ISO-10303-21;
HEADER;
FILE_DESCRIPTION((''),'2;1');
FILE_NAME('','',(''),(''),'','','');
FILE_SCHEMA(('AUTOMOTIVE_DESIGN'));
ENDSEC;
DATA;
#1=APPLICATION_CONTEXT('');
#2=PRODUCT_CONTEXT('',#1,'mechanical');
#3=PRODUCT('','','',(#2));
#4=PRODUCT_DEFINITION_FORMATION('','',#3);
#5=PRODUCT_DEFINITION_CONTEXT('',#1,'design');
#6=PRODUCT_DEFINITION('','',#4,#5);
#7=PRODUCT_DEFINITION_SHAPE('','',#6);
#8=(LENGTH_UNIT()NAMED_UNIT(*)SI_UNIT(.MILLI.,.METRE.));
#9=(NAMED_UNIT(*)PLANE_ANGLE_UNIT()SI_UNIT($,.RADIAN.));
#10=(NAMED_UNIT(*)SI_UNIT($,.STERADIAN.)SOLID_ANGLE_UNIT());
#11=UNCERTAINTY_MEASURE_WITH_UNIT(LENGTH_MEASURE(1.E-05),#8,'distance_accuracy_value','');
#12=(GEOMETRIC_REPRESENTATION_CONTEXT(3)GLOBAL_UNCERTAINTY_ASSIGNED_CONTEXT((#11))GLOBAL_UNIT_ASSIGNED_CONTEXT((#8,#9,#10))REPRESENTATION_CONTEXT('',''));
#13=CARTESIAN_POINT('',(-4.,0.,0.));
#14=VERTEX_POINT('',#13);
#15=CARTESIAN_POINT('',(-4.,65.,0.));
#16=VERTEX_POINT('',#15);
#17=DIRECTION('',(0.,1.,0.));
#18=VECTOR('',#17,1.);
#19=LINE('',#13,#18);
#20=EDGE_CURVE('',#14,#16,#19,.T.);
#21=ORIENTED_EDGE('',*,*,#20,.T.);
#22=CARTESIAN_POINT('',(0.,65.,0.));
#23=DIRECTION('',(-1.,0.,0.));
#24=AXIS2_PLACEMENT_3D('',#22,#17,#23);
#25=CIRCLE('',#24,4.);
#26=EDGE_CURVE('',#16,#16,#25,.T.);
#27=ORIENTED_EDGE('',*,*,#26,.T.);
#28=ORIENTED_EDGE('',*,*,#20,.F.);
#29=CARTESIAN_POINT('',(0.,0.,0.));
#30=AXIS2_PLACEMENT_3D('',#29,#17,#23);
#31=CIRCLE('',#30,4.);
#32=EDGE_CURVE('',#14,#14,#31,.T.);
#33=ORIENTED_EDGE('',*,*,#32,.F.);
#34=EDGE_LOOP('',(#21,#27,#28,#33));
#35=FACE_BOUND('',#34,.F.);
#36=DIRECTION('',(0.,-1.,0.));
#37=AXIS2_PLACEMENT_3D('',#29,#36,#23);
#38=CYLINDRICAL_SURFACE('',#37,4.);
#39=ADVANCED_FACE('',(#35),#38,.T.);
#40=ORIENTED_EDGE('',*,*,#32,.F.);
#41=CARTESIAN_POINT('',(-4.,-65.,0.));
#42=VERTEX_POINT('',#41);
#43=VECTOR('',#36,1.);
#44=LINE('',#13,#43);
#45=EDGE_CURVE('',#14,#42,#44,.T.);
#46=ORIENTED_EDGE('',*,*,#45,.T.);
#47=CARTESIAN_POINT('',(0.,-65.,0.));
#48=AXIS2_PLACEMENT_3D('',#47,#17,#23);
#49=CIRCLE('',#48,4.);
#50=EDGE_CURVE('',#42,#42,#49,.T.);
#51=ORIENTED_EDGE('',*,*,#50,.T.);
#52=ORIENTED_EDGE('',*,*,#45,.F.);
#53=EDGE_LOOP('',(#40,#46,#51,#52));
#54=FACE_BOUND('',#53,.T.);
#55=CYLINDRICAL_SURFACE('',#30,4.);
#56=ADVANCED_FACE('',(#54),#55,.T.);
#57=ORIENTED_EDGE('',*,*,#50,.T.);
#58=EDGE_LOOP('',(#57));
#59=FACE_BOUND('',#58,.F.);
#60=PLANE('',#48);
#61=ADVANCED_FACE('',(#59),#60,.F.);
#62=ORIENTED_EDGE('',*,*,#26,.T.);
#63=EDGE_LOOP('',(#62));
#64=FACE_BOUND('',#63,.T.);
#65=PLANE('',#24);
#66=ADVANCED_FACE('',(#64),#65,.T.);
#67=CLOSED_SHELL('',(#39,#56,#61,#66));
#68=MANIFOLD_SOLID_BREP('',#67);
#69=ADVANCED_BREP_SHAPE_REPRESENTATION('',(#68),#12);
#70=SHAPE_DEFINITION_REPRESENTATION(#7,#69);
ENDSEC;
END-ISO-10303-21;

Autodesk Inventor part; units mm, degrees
sketch "Эскиз1" plane through (0, 0, 0) normal (0, 1, 0) x (-1, 0, 0)
  circle A0 centre (0, 0) radius 4
  dimension "d0" = 8
extrude "Выдавливание1" add sketch "Эскиз1" along normal mid plane 130
properties part number "Трапециевидный винт"
